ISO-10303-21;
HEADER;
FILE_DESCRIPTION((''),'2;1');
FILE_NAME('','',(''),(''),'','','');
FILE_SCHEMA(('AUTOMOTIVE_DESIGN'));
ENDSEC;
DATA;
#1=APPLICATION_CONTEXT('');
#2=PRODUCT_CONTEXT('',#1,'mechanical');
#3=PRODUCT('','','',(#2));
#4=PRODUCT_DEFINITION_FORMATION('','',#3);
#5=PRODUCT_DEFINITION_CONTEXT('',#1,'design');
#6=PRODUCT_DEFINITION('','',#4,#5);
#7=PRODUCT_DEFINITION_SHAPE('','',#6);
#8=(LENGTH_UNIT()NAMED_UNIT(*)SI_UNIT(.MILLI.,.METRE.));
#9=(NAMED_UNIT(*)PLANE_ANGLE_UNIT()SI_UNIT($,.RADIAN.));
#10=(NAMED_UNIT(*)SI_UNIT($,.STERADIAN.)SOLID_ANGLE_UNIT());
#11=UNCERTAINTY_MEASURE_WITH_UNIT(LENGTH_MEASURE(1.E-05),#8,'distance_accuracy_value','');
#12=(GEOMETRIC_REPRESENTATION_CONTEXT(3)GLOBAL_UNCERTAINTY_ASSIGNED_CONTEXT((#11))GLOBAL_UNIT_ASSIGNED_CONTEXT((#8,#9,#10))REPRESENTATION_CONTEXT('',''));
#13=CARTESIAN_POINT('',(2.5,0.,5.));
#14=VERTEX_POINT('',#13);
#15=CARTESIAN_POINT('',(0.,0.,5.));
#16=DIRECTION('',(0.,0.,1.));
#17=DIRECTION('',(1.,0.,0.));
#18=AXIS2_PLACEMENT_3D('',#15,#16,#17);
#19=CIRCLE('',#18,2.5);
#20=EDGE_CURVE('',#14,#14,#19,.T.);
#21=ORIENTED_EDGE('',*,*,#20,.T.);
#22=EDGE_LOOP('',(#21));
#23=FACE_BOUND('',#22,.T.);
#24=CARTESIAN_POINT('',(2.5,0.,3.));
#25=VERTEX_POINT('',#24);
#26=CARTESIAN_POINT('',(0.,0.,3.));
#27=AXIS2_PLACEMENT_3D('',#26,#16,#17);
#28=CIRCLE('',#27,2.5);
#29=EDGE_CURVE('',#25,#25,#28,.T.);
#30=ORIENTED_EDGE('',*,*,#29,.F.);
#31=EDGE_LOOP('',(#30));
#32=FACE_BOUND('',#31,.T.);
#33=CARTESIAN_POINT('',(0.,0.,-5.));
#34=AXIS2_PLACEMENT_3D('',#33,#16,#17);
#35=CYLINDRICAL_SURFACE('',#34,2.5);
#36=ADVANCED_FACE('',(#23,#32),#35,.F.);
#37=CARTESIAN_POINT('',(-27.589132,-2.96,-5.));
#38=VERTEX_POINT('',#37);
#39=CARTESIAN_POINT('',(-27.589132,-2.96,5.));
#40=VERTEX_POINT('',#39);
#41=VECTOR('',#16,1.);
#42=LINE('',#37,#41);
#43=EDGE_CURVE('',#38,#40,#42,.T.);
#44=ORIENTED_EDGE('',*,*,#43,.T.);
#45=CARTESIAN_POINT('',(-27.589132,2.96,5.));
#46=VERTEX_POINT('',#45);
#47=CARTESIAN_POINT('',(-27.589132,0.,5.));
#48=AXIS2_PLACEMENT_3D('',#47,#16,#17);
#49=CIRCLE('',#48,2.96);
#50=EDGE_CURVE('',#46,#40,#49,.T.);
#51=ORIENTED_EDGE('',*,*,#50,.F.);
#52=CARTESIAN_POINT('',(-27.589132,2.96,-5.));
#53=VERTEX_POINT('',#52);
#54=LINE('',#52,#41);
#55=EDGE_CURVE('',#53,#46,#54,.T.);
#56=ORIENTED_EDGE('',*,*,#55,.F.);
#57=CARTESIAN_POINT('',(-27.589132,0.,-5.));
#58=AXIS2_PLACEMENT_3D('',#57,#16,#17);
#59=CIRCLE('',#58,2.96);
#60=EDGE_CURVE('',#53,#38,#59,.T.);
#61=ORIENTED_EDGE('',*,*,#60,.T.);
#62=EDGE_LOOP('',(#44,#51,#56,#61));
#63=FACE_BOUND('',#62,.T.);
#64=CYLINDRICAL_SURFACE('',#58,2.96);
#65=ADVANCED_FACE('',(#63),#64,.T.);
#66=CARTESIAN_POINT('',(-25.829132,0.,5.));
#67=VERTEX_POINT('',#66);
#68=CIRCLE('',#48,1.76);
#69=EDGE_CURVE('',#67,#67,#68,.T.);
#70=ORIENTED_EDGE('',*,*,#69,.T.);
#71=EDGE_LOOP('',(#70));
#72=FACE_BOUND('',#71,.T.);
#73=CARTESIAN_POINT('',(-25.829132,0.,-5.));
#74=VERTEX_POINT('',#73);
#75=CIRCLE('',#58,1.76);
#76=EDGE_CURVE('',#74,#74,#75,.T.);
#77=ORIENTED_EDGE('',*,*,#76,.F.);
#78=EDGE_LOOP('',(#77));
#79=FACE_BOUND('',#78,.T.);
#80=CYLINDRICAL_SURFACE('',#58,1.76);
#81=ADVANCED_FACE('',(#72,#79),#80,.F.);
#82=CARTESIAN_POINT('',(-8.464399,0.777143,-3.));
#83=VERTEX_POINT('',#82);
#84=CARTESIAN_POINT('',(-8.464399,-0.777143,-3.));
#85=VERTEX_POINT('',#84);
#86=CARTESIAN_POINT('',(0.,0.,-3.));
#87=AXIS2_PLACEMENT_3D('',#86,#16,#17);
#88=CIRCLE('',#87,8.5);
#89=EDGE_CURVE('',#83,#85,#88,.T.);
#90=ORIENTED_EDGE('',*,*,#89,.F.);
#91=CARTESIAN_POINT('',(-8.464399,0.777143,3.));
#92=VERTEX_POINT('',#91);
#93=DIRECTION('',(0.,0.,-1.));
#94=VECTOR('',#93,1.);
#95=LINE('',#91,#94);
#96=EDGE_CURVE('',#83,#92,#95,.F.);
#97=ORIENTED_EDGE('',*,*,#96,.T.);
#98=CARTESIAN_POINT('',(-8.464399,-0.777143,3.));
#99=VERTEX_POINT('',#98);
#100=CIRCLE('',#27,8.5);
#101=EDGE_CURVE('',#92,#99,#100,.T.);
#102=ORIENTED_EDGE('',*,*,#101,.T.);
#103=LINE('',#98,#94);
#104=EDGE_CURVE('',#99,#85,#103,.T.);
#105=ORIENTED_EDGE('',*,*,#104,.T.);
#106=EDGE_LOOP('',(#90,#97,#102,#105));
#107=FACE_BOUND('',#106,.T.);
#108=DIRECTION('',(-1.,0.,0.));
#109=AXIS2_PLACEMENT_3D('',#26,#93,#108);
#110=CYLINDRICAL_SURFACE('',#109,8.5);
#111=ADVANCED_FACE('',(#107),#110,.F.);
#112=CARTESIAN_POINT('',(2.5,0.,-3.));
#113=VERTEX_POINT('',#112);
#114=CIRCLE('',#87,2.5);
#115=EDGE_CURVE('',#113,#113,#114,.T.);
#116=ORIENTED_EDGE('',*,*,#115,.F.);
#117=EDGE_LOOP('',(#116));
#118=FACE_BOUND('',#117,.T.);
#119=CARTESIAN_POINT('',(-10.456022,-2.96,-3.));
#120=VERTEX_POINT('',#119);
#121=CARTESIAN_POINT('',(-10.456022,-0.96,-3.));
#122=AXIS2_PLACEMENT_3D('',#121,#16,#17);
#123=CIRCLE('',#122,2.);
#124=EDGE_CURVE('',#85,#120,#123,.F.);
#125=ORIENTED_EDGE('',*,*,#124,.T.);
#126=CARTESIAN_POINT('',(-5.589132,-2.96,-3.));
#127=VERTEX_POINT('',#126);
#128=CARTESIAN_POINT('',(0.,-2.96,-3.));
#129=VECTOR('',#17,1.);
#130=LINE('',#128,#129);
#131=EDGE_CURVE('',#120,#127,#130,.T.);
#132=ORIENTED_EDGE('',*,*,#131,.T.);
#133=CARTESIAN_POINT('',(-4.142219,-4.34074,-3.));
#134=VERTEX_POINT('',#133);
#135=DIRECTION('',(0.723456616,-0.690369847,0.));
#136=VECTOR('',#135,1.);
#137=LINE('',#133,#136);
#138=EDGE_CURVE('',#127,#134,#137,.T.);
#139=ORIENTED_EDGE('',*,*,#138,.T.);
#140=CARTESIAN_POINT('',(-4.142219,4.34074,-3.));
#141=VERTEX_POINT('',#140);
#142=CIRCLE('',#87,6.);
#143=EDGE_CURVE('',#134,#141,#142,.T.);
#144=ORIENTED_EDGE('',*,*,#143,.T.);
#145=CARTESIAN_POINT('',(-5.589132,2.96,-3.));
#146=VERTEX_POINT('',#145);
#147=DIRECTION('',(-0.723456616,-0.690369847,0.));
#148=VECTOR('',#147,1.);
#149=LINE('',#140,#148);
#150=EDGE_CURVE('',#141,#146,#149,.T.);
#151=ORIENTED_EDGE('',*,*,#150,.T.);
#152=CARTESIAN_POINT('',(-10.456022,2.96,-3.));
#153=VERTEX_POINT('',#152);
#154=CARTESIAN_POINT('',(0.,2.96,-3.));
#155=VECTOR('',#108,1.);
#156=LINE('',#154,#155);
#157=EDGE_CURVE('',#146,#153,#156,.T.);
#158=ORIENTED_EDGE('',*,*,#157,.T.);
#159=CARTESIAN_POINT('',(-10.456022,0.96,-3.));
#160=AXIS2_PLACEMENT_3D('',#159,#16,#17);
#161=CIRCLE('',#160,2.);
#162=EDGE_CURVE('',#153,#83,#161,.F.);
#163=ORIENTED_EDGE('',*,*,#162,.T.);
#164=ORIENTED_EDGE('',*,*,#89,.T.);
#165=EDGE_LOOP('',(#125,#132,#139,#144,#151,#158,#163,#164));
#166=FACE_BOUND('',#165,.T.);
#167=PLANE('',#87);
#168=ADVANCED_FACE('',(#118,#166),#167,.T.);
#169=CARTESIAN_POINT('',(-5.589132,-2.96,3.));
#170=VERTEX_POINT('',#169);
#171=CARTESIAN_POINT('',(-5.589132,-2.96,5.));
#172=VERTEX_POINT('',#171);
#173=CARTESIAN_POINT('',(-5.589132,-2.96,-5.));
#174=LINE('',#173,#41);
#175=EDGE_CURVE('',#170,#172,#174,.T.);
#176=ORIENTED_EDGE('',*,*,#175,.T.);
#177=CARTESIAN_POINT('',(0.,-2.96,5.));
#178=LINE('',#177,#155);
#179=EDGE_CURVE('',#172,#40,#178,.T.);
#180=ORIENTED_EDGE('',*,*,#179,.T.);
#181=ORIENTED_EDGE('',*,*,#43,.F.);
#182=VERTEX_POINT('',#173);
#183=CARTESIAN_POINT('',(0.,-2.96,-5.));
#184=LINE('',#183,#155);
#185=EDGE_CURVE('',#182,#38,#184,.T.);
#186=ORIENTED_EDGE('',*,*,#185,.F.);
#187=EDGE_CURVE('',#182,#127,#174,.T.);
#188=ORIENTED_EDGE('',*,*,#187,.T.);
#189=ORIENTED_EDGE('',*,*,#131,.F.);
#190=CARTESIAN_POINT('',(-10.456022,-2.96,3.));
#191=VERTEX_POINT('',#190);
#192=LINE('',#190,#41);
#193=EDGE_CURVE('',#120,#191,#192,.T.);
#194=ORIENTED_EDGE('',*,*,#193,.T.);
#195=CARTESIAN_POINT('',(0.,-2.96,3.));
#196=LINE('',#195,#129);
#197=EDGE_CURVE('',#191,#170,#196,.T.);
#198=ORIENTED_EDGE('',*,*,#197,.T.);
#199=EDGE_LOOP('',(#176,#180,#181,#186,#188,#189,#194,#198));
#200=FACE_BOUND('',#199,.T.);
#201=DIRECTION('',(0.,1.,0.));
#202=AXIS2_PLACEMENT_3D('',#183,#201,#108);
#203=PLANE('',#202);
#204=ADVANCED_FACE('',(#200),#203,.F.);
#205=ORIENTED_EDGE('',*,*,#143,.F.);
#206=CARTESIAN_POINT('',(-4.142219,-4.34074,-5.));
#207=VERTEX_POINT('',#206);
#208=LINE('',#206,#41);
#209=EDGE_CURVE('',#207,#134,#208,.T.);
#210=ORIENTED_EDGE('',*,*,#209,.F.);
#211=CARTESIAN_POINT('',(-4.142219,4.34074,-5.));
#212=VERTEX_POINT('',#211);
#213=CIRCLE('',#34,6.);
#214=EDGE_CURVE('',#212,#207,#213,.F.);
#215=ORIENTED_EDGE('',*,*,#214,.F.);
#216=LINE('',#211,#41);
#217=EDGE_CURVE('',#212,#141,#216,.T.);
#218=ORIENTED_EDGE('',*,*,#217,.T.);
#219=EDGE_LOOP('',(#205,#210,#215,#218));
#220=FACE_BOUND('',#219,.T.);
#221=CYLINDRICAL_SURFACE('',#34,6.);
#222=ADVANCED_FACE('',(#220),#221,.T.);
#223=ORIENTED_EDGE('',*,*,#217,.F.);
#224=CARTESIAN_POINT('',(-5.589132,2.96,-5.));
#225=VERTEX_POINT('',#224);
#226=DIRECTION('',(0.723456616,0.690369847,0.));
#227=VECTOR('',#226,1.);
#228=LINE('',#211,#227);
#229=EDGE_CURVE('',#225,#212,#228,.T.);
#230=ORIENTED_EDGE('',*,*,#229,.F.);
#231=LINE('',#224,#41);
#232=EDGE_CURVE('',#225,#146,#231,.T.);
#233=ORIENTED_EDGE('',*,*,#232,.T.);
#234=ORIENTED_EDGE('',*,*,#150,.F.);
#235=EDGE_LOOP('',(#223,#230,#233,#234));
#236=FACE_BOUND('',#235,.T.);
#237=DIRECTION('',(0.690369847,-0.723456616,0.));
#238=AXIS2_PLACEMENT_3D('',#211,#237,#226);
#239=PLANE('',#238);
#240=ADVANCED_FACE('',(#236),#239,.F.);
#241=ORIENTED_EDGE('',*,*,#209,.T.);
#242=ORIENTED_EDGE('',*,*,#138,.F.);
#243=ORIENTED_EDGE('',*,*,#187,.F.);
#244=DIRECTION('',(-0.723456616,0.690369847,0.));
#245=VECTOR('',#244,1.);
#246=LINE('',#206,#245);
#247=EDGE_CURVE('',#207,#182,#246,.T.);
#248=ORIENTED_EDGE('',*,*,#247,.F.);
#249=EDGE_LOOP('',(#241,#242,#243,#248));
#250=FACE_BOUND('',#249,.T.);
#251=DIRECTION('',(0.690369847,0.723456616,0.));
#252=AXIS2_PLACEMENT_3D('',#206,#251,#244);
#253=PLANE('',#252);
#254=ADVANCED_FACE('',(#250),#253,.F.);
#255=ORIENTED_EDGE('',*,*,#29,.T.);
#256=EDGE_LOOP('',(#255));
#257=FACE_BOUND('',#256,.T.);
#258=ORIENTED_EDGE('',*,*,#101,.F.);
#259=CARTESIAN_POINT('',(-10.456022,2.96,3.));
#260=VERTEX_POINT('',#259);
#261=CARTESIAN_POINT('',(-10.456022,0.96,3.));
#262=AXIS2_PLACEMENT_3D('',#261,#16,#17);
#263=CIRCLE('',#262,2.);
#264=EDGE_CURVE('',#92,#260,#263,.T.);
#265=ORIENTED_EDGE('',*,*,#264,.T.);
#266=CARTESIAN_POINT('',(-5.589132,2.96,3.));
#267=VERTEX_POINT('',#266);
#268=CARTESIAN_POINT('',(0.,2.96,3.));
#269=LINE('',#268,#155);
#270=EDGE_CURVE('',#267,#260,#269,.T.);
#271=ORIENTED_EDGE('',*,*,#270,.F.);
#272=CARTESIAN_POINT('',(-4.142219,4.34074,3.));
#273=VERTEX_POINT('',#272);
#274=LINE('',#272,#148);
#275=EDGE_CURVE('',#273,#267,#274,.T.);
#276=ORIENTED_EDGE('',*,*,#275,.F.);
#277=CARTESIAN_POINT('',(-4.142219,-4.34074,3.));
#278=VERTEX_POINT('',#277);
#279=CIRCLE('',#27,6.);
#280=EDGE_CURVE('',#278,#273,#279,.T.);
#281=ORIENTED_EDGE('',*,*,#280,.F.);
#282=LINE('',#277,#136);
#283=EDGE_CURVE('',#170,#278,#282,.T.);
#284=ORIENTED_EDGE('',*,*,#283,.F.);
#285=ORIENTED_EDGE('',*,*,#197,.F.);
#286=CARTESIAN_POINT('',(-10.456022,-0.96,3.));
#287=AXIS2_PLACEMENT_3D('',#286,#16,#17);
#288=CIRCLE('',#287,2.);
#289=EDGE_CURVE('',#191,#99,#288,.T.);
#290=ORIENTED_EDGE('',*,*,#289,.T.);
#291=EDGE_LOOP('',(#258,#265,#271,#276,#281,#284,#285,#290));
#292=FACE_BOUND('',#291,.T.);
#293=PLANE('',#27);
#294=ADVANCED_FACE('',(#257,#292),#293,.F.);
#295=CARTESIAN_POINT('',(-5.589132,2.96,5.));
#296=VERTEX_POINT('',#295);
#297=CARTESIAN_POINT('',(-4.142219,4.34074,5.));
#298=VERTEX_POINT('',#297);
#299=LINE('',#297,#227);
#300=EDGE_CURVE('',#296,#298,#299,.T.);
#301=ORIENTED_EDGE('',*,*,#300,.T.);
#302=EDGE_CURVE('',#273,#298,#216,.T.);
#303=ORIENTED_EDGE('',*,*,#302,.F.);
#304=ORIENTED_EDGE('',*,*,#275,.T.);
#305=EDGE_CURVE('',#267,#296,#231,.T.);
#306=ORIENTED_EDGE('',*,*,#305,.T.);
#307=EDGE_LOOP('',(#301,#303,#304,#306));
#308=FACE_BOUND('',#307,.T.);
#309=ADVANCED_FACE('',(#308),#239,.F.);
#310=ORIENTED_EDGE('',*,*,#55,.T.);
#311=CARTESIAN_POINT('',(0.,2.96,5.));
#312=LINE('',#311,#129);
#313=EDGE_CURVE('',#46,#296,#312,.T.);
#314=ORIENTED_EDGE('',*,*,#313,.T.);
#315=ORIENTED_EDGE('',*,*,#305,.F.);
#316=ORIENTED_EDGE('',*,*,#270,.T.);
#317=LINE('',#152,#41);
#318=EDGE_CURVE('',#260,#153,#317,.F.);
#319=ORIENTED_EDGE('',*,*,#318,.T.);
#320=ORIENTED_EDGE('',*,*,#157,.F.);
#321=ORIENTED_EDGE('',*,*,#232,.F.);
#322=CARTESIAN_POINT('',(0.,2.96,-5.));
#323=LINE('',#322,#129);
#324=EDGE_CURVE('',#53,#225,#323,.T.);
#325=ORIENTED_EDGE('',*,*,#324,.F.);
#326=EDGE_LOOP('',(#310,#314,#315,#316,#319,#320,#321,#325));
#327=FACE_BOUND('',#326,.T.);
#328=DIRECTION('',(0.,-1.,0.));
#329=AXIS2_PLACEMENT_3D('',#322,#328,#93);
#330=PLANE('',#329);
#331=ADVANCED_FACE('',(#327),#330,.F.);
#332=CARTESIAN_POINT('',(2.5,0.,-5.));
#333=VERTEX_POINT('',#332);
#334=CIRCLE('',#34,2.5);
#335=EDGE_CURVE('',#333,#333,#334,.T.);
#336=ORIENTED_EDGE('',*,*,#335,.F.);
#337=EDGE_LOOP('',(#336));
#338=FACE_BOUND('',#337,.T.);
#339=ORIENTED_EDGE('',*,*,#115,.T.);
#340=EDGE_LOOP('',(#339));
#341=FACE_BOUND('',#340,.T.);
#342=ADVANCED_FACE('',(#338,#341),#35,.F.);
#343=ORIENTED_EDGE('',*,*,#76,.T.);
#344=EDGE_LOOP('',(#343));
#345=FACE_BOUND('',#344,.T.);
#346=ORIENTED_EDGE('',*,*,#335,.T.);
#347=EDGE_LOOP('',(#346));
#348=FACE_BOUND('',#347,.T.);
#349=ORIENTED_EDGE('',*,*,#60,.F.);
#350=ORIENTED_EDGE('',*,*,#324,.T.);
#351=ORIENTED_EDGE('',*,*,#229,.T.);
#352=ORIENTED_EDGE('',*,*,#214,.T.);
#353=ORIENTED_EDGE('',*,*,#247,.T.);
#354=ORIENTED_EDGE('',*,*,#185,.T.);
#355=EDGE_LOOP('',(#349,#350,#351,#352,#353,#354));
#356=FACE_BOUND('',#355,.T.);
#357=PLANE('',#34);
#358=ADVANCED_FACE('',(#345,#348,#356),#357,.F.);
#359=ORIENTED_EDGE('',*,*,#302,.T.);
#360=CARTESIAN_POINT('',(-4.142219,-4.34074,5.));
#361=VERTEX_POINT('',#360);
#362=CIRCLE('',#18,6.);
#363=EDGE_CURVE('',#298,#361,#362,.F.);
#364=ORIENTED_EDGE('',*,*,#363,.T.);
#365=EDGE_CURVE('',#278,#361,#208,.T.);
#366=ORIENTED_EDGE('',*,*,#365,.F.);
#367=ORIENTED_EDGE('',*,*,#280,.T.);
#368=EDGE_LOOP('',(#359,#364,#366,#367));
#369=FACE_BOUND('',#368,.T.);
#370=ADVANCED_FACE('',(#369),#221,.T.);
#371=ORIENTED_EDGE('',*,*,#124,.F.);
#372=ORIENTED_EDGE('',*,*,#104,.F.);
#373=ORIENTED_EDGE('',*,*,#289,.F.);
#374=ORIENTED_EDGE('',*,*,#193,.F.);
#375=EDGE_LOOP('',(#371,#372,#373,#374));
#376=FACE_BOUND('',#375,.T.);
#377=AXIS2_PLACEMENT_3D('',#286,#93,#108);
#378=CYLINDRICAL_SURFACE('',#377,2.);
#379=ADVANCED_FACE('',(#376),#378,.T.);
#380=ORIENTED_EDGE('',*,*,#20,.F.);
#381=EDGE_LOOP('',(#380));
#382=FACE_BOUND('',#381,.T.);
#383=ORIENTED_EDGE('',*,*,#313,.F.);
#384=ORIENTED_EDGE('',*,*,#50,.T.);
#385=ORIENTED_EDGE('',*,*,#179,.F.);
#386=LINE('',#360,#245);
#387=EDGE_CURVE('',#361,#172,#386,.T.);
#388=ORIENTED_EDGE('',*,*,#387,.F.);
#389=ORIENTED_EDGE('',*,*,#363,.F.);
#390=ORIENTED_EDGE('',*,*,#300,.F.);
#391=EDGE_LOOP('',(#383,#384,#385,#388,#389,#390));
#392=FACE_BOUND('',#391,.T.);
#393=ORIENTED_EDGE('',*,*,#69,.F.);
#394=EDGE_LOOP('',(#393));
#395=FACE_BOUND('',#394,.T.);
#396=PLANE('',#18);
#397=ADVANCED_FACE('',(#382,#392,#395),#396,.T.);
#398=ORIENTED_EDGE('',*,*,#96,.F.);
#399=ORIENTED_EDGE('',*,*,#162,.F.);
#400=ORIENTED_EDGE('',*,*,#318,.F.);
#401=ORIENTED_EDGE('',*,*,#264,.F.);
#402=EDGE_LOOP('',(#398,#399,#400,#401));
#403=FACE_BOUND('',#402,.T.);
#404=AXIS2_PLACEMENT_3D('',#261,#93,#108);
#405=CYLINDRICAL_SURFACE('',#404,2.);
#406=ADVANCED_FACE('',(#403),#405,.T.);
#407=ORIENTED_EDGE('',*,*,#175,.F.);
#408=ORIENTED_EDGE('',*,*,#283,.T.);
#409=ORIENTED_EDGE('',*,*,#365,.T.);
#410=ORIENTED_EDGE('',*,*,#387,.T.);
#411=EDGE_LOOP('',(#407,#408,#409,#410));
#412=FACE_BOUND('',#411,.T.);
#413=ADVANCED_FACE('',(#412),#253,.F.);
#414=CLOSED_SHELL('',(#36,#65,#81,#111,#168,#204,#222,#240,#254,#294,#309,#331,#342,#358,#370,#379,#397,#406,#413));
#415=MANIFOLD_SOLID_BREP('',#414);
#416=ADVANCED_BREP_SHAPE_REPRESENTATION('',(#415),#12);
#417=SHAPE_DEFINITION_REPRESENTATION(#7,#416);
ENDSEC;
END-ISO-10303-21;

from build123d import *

# Parameters (mm, degrees)
BOSS_EXTRUDE1_DEPTH      = 5
BOSS_EXTRUDE1_DEPTH_BACK = 5
SKETCH1_R                = 1.76
SKETCH1_R_2              = 2.5
CUT_EXTRUDE1_DEPTH       = 3
CUT_EXTRUDE1_DEPTH_BACK  = 3
SKETCH1_4_R              = 8.5
SKETCH1_4_R_2            = 2.5
FILLET1_R                = 2


with BuildPart() as part:
    # Sketch1 → Boss-Extrude1 (new, two sides: drawn at the far end of the back side and taken through both)
    with BuildSketch(Plane.XY.offset(-BOSS_EXTRUDE1_DEPTH_BACK)):
        with BuildLine():
            ThreePointArc((-27.589132312, 2.96), (-30.549132312, 0), (-27.589132312, -2.96))
            Line((-27.589132312, -2.96), (-5.589132312, -2.96))
            Line((-5.589132312, -2.96), (-4.142219081, -4.340739694))
            ThreePointArc((-4.142219081, -4.340739694), (6, 0), (-4.142219081, 4.340739694))
            Line((-4.142219081, 4.340739694), (-5.589132312, 2.96))
            Line((-5.589132312, 2.96), (-27.589132312, 2.96))
        make_face()
        with Locations((-27.589132312, 0)):
            Circle(SKETCH1_R, mode=Mode.SUBTRACT)
        Circle(SKETCH1_R_2, mode=Mode.SUBTRACT)
    extrude(amount=BOSS_EXTRUDE1_DEPTH + BOSS_EXTRUDE1_DEPTH_BACK)

    # Sketch1<4> → Cut-Extrude1 (cut, two sides: drawn at the far end of the back side and taken through both)
    with BuildSketch(Plane.XY.offset(-CUT_EXTRUDE1_DEPTH_BACK)):
        Circle(SKETCH1_4_R)
        Circle(SKETCH1_4_R_2, mode=Mode.SUBTRACT)
    extrude(amount=CUT_EXTRUDE1_DEPTH + CUT_EXTRUDE1_DEPTH_BACK, mode=Mode.SUBTRACT)

    # Fillet1
    fillet1_edges = [part.edges().sort_by_distance(p)[0] for p in [
        (-7.967960843, 2.96, 0),
        (-7.967960843, -2.96, 0),
    ]]
    fillet(fillet1_edges, radius=FILLET1_R)


solid = part.part
